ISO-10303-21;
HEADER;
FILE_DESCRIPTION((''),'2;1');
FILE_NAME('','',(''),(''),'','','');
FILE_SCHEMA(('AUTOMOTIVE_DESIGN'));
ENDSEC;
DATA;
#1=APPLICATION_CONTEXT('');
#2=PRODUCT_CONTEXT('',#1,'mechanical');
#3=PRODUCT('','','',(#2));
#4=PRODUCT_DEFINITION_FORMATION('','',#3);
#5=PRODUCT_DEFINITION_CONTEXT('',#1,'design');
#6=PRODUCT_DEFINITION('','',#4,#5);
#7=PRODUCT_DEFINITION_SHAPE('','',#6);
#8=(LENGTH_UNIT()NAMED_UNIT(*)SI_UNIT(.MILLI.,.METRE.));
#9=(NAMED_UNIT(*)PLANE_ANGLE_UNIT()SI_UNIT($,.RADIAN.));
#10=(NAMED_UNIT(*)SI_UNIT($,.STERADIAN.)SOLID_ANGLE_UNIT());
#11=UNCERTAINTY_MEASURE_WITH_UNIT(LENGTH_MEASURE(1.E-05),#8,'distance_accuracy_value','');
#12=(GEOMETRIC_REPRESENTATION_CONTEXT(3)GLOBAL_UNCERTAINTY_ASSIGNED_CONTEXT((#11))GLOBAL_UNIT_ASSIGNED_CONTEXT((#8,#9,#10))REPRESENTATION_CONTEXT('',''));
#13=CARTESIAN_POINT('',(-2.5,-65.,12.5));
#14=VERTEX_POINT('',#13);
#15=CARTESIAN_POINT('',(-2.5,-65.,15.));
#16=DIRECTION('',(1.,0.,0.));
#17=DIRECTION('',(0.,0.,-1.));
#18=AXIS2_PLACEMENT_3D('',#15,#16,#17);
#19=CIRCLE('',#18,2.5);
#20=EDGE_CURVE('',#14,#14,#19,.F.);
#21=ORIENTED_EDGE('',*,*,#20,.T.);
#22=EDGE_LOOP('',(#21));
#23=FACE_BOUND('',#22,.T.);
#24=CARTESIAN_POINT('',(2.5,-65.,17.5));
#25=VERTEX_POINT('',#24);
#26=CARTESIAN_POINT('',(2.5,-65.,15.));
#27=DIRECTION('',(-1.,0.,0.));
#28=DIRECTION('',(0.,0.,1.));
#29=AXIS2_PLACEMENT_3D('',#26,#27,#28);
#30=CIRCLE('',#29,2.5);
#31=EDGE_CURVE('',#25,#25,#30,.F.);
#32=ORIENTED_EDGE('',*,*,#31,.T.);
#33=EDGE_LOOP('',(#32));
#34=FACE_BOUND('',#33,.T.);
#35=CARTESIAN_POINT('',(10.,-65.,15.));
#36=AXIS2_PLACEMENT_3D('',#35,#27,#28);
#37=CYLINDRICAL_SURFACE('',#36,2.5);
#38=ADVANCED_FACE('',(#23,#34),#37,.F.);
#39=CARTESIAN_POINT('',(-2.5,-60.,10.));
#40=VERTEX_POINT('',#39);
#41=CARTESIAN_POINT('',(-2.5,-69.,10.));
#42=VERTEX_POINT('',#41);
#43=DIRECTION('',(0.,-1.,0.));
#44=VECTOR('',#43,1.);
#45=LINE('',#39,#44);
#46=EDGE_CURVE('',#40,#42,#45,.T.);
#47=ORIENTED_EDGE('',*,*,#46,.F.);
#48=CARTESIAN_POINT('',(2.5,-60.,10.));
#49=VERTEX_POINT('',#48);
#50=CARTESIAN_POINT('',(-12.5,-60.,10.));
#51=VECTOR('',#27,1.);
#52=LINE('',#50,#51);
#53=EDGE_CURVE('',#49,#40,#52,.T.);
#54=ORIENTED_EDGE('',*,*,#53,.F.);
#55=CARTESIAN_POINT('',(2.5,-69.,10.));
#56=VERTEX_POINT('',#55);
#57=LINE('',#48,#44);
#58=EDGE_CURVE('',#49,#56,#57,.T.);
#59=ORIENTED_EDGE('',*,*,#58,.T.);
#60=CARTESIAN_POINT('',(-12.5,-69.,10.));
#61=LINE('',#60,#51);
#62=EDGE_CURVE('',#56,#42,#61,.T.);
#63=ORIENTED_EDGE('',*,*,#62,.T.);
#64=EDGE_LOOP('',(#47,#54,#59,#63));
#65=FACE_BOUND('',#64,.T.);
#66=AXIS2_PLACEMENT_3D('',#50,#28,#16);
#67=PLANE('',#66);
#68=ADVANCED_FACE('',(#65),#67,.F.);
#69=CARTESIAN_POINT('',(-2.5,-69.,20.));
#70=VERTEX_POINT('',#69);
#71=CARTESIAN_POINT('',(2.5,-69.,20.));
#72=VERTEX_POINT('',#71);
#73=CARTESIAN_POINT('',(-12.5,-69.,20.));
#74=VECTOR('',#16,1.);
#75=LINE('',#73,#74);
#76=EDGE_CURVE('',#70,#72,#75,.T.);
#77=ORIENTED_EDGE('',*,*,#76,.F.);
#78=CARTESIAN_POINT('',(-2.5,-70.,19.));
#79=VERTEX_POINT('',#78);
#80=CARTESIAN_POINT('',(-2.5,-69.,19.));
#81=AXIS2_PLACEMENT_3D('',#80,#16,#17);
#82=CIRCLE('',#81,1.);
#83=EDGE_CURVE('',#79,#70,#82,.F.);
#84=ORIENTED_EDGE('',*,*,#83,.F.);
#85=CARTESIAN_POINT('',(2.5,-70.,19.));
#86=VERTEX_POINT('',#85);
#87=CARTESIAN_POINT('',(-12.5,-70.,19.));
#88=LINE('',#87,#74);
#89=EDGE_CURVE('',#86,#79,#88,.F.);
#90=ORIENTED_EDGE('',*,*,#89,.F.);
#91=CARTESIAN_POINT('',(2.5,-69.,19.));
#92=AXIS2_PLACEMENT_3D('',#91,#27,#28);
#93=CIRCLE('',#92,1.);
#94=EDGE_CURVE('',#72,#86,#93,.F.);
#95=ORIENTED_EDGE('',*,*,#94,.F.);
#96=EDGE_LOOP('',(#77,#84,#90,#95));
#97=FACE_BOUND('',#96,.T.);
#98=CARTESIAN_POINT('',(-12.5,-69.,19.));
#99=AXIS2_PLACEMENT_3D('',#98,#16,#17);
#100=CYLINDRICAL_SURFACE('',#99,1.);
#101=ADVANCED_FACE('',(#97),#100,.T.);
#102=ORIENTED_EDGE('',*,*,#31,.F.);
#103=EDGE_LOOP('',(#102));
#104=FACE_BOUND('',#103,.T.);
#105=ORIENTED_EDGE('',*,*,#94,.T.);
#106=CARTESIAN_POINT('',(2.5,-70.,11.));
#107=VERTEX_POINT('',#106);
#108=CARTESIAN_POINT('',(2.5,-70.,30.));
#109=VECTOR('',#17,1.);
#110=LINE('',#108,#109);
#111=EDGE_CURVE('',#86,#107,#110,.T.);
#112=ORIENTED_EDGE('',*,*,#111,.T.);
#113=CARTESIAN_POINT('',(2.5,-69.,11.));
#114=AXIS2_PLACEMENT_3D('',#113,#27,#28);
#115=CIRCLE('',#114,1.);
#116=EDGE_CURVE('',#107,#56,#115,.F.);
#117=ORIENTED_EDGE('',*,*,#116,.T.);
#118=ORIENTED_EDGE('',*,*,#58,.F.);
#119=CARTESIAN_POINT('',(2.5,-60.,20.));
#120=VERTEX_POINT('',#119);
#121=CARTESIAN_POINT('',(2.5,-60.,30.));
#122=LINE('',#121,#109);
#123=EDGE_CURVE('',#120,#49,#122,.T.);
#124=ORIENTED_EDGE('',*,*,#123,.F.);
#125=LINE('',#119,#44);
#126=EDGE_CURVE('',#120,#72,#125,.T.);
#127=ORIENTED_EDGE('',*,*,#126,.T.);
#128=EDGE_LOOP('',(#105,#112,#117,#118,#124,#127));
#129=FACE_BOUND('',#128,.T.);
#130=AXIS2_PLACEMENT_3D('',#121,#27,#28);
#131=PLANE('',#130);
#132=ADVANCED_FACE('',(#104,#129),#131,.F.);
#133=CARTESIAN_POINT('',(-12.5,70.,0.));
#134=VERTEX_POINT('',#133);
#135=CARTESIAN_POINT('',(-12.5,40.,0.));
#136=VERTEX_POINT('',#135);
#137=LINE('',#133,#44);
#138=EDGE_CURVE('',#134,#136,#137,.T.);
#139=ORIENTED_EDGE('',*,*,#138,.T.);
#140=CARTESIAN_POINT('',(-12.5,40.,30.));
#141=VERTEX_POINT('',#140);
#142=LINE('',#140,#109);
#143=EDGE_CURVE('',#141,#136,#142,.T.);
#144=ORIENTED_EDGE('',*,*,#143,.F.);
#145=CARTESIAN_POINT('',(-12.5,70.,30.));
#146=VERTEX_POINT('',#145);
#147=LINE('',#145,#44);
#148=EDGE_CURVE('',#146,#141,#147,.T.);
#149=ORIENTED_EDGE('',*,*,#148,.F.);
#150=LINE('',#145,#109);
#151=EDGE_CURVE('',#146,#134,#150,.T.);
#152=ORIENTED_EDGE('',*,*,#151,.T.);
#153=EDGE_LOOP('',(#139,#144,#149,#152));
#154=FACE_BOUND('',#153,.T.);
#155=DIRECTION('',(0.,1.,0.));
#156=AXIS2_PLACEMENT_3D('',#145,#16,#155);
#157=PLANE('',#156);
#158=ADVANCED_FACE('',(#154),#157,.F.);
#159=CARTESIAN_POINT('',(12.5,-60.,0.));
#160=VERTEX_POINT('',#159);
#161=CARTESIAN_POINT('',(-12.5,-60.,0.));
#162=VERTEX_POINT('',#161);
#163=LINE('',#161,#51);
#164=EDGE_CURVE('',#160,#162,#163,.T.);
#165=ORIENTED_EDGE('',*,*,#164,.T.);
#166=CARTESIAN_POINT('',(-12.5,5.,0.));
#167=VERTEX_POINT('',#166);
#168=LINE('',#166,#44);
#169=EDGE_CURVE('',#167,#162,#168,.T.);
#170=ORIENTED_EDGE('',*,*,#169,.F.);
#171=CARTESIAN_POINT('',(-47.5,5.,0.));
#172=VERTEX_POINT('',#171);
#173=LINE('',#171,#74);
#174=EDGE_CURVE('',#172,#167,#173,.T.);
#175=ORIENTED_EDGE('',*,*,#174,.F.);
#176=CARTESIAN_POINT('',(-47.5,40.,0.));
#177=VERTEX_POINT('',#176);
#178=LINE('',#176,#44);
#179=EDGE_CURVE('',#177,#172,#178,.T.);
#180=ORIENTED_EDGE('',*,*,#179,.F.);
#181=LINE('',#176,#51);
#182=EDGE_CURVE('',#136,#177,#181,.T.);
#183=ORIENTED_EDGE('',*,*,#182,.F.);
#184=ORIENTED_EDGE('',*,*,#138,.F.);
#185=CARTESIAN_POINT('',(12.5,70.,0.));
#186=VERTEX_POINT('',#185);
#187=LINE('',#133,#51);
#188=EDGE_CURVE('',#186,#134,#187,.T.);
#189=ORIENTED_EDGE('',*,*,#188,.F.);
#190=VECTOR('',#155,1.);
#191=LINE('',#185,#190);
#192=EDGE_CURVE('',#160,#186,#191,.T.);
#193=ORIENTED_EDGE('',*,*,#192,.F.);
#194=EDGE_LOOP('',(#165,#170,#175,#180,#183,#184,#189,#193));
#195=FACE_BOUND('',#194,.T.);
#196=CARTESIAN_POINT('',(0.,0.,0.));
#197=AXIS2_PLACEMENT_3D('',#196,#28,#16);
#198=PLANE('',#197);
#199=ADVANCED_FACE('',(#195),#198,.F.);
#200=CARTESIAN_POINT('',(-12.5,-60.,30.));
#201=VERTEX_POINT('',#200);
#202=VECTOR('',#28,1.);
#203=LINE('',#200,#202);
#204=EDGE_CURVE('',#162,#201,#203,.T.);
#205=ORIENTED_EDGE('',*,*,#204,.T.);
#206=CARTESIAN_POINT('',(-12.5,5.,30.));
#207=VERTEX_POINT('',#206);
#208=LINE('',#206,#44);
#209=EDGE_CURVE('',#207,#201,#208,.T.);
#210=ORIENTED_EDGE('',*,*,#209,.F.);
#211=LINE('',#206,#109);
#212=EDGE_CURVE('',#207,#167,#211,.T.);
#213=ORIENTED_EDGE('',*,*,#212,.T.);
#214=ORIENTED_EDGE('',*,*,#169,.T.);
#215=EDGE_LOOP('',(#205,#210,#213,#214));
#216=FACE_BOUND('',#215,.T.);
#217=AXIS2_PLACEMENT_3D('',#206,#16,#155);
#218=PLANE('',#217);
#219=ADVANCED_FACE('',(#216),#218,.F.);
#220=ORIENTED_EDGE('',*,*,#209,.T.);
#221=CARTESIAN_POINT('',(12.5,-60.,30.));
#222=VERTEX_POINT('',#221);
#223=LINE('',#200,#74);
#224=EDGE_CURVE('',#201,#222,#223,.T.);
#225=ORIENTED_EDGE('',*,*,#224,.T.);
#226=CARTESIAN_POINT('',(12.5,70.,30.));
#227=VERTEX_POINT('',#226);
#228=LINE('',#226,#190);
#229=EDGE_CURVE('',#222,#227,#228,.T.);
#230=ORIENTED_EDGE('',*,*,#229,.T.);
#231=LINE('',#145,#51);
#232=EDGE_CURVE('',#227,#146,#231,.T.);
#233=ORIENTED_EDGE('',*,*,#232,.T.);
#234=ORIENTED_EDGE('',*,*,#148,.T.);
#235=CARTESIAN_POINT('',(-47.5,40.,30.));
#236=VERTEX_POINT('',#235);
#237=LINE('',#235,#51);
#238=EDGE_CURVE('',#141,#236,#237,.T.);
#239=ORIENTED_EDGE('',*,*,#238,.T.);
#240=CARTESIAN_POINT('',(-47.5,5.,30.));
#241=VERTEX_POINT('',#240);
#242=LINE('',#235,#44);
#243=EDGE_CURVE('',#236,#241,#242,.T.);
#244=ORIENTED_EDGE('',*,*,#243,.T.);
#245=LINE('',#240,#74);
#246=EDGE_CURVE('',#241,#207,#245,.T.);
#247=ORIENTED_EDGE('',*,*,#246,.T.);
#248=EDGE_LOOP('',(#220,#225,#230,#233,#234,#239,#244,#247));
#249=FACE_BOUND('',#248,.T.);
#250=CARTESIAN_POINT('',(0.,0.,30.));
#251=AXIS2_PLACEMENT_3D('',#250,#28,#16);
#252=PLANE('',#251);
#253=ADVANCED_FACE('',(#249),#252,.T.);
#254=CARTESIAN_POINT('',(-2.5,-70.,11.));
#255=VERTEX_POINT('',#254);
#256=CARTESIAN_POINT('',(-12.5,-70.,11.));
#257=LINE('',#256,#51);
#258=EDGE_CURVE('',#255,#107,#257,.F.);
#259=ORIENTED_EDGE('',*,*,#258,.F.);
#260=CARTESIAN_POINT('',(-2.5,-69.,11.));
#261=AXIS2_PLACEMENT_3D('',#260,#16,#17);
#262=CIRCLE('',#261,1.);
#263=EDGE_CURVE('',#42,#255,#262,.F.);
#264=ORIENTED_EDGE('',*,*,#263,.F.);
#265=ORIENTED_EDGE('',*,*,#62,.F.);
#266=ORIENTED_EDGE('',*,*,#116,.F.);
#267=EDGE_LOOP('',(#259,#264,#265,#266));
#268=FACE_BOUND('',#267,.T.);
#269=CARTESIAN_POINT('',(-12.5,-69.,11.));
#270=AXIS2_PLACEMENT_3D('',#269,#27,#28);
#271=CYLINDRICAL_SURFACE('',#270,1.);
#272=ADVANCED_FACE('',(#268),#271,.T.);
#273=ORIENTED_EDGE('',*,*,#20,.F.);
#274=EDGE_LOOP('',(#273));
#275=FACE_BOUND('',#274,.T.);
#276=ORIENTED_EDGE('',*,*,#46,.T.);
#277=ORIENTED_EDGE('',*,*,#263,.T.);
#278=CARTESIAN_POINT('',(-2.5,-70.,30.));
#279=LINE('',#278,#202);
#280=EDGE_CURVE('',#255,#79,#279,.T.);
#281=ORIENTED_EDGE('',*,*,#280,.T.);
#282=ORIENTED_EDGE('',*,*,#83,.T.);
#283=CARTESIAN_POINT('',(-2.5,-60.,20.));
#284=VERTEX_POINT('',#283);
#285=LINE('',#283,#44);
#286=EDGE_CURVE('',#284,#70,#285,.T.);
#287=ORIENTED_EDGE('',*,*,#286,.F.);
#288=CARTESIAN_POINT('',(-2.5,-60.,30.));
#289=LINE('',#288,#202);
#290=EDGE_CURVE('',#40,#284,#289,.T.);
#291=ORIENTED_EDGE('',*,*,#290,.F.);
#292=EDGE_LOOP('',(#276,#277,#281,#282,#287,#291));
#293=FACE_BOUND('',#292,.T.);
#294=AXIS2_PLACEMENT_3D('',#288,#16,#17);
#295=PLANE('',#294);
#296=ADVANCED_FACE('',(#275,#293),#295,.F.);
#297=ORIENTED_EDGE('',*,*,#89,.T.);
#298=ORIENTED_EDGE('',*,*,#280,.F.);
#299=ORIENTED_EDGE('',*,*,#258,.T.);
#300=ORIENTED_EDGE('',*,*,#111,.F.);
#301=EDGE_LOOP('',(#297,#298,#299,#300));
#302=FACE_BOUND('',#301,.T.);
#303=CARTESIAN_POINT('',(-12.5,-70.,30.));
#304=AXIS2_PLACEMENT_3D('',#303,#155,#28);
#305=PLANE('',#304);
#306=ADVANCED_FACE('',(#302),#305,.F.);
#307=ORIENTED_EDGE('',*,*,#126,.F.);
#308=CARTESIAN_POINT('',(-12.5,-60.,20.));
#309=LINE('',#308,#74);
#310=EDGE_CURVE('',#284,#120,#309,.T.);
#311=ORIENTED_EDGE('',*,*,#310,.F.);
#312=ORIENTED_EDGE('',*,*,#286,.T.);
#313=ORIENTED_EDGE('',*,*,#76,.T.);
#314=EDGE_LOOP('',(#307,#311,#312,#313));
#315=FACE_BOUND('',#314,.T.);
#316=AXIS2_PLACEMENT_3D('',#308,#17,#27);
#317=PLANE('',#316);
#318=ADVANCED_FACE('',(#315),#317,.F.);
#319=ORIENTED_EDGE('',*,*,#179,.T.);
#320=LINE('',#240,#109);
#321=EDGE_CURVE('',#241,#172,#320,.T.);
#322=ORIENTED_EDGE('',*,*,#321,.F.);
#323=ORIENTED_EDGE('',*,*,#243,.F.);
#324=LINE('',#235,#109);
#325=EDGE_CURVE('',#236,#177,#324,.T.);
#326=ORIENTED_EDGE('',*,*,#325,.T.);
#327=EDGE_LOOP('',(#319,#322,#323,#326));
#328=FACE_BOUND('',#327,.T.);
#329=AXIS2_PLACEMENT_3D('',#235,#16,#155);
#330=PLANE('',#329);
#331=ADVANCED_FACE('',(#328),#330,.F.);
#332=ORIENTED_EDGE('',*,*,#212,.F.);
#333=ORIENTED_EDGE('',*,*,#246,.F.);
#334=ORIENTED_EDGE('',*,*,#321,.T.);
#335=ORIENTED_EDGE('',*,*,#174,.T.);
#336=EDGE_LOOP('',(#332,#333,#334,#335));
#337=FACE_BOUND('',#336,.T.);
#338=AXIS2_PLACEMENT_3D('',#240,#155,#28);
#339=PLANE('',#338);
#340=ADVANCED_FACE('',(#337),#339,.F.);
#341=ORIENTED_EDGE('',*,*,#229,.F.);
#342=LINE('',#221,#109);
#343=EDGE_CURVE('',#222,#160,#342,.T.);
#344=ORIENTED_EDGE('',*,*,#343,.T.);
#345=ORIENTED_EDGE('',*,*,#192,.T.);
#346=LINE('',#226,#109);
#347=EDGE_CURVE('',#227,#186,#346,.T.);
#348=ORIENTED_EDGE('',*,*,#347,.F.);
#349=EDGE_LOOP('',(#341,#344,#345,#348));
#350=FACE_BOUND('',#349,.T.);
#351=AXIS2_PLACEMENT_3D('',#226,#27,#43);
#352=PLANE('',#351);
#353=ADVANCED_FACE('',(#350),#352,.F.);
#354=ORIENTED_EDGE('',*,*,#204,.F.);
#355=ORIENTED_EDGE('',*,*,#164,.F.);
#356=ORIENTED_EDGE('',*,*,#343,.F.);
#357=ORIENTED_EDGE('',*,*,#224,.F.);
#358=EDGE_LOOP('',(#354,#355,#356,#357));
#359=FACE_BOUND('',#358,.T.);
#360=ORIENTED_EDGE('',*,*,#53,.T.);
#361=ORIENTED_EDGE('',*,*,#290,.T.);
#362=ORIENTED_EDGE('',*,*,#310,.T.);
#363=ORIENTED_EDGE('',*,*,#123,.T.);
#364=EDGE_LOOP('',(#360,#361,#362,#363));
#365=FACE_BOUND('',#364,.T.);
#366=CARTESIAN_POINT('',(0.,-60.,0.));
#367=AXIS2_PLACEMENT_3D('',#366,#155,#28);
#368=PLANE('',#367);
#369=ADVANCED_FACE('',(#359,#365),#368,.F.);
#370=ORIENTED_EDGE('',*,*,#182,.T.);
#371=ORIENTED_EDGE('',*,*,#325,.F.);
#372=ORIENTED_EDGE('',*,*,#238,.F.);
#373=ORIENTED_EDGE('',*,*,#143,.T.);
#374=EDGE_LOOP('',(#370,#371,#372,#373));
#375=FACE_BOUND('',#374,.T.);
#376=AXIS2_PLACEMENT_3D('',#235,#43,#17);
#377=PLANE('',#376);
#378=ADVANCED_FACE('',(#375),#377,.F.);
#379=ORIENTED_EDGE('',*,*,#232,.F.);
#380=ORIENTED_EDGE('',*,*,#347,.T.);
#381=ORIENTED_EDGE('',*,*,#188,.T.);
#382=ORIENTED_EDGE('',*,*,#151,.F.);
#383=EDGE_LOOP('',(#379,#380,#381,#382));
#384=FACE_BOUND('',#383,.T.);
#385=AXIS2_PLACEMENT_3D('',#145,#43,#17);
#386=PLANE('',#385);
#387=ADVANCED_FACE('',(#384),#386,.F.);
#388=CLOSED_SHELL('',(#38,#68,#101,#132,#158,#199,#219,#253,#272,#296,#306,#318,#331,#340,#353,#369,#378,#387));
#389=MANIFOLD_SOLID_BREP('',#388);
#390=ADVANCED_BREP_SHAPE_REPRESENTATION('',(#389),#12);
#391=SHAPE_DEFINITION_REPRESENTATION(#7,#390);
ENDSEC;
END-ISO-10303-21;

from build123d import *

# Parameters (mm, degrees)
BOSS_EXTRUDE1_DEPTH     = 30
CUT_EXTRUDE1_START      = -70
SKETCH2_W               = 25
SKETCH2_H               = 30
SKETCH2_W_2             = 5
SKETCH2_H_2             = 10
CUT_EXTRUDE1_DEPTH      = 10
CUT_EXTRUDE2_DEPTH      = 10
CUT_EXTRUDE2_DEPTH_BACK = 10
SKETCH3_R               = 2.5
FILLET1_R               = 1


with BuildPart() as part:
    # Sketch1 → Boss-Extrude1 (new body)
    with BuildSketch(Plane.XY):
        Polygon((-12.5, 70), (12.5, 70), (12.5, -70), (-12.5, -70), (-12.5, 5), (-47.5, 5), (-47.5, 40), (-12.5, 40), align=None)
    extrude(amount=BOSS_EXTRUDE1_DEPTH)

    # Sketch2 → Cut-Extrude1 (cut)
    with BuildSketch(Plane(origin=(0, 0, 0), x_dir=(1, 0, 0), z_dir=(0, 1, 0)).offset(CUT_EXTRUDE1_START)):
        with Locations((0, -15)):
            Rectangle(SKETCH2_W, SKETCH2_H)
        with Locations((0, -15)):
            Rectangle(SKETCH2_W_2, SKETCH2_H_2, mode=Mode.SUBTRACT)
    extrude(amount=CUT_EXTRUDE1_DEPTH, mode=Mode.SUBTRACT)

    # Sketch3 → Cut-Extrude2 (cut, two sides: drawn at the far end of the back side and taken through both)
    with BuildSketch(Plane(origin=(0, 0, 0), x_dir=(0, 0, -1), z_dir=(1, 0, 0)).offset(-CUT_EXTRUDE2_DEPTH_BACK)):
        with Locations(Location((-15, -65, 0), (0, 0, 180))):
            Circle(SKETCH3_R)
    extrude(amount=CUT_EXTRUDE2_DEPTH + CUT_EXTRUDE2_DEPTH_BACK, mode=Mode.SUBTRACT)

    # Fillet1
    fillet1_edges = [part.edges().sort_by_distance(p)[0] for p in [
        (0, -70, 10),
        (0, -70, 20),
    ]]
    fillet(fillet1_edges, radius=FILLET1_R)


solid = part.part
